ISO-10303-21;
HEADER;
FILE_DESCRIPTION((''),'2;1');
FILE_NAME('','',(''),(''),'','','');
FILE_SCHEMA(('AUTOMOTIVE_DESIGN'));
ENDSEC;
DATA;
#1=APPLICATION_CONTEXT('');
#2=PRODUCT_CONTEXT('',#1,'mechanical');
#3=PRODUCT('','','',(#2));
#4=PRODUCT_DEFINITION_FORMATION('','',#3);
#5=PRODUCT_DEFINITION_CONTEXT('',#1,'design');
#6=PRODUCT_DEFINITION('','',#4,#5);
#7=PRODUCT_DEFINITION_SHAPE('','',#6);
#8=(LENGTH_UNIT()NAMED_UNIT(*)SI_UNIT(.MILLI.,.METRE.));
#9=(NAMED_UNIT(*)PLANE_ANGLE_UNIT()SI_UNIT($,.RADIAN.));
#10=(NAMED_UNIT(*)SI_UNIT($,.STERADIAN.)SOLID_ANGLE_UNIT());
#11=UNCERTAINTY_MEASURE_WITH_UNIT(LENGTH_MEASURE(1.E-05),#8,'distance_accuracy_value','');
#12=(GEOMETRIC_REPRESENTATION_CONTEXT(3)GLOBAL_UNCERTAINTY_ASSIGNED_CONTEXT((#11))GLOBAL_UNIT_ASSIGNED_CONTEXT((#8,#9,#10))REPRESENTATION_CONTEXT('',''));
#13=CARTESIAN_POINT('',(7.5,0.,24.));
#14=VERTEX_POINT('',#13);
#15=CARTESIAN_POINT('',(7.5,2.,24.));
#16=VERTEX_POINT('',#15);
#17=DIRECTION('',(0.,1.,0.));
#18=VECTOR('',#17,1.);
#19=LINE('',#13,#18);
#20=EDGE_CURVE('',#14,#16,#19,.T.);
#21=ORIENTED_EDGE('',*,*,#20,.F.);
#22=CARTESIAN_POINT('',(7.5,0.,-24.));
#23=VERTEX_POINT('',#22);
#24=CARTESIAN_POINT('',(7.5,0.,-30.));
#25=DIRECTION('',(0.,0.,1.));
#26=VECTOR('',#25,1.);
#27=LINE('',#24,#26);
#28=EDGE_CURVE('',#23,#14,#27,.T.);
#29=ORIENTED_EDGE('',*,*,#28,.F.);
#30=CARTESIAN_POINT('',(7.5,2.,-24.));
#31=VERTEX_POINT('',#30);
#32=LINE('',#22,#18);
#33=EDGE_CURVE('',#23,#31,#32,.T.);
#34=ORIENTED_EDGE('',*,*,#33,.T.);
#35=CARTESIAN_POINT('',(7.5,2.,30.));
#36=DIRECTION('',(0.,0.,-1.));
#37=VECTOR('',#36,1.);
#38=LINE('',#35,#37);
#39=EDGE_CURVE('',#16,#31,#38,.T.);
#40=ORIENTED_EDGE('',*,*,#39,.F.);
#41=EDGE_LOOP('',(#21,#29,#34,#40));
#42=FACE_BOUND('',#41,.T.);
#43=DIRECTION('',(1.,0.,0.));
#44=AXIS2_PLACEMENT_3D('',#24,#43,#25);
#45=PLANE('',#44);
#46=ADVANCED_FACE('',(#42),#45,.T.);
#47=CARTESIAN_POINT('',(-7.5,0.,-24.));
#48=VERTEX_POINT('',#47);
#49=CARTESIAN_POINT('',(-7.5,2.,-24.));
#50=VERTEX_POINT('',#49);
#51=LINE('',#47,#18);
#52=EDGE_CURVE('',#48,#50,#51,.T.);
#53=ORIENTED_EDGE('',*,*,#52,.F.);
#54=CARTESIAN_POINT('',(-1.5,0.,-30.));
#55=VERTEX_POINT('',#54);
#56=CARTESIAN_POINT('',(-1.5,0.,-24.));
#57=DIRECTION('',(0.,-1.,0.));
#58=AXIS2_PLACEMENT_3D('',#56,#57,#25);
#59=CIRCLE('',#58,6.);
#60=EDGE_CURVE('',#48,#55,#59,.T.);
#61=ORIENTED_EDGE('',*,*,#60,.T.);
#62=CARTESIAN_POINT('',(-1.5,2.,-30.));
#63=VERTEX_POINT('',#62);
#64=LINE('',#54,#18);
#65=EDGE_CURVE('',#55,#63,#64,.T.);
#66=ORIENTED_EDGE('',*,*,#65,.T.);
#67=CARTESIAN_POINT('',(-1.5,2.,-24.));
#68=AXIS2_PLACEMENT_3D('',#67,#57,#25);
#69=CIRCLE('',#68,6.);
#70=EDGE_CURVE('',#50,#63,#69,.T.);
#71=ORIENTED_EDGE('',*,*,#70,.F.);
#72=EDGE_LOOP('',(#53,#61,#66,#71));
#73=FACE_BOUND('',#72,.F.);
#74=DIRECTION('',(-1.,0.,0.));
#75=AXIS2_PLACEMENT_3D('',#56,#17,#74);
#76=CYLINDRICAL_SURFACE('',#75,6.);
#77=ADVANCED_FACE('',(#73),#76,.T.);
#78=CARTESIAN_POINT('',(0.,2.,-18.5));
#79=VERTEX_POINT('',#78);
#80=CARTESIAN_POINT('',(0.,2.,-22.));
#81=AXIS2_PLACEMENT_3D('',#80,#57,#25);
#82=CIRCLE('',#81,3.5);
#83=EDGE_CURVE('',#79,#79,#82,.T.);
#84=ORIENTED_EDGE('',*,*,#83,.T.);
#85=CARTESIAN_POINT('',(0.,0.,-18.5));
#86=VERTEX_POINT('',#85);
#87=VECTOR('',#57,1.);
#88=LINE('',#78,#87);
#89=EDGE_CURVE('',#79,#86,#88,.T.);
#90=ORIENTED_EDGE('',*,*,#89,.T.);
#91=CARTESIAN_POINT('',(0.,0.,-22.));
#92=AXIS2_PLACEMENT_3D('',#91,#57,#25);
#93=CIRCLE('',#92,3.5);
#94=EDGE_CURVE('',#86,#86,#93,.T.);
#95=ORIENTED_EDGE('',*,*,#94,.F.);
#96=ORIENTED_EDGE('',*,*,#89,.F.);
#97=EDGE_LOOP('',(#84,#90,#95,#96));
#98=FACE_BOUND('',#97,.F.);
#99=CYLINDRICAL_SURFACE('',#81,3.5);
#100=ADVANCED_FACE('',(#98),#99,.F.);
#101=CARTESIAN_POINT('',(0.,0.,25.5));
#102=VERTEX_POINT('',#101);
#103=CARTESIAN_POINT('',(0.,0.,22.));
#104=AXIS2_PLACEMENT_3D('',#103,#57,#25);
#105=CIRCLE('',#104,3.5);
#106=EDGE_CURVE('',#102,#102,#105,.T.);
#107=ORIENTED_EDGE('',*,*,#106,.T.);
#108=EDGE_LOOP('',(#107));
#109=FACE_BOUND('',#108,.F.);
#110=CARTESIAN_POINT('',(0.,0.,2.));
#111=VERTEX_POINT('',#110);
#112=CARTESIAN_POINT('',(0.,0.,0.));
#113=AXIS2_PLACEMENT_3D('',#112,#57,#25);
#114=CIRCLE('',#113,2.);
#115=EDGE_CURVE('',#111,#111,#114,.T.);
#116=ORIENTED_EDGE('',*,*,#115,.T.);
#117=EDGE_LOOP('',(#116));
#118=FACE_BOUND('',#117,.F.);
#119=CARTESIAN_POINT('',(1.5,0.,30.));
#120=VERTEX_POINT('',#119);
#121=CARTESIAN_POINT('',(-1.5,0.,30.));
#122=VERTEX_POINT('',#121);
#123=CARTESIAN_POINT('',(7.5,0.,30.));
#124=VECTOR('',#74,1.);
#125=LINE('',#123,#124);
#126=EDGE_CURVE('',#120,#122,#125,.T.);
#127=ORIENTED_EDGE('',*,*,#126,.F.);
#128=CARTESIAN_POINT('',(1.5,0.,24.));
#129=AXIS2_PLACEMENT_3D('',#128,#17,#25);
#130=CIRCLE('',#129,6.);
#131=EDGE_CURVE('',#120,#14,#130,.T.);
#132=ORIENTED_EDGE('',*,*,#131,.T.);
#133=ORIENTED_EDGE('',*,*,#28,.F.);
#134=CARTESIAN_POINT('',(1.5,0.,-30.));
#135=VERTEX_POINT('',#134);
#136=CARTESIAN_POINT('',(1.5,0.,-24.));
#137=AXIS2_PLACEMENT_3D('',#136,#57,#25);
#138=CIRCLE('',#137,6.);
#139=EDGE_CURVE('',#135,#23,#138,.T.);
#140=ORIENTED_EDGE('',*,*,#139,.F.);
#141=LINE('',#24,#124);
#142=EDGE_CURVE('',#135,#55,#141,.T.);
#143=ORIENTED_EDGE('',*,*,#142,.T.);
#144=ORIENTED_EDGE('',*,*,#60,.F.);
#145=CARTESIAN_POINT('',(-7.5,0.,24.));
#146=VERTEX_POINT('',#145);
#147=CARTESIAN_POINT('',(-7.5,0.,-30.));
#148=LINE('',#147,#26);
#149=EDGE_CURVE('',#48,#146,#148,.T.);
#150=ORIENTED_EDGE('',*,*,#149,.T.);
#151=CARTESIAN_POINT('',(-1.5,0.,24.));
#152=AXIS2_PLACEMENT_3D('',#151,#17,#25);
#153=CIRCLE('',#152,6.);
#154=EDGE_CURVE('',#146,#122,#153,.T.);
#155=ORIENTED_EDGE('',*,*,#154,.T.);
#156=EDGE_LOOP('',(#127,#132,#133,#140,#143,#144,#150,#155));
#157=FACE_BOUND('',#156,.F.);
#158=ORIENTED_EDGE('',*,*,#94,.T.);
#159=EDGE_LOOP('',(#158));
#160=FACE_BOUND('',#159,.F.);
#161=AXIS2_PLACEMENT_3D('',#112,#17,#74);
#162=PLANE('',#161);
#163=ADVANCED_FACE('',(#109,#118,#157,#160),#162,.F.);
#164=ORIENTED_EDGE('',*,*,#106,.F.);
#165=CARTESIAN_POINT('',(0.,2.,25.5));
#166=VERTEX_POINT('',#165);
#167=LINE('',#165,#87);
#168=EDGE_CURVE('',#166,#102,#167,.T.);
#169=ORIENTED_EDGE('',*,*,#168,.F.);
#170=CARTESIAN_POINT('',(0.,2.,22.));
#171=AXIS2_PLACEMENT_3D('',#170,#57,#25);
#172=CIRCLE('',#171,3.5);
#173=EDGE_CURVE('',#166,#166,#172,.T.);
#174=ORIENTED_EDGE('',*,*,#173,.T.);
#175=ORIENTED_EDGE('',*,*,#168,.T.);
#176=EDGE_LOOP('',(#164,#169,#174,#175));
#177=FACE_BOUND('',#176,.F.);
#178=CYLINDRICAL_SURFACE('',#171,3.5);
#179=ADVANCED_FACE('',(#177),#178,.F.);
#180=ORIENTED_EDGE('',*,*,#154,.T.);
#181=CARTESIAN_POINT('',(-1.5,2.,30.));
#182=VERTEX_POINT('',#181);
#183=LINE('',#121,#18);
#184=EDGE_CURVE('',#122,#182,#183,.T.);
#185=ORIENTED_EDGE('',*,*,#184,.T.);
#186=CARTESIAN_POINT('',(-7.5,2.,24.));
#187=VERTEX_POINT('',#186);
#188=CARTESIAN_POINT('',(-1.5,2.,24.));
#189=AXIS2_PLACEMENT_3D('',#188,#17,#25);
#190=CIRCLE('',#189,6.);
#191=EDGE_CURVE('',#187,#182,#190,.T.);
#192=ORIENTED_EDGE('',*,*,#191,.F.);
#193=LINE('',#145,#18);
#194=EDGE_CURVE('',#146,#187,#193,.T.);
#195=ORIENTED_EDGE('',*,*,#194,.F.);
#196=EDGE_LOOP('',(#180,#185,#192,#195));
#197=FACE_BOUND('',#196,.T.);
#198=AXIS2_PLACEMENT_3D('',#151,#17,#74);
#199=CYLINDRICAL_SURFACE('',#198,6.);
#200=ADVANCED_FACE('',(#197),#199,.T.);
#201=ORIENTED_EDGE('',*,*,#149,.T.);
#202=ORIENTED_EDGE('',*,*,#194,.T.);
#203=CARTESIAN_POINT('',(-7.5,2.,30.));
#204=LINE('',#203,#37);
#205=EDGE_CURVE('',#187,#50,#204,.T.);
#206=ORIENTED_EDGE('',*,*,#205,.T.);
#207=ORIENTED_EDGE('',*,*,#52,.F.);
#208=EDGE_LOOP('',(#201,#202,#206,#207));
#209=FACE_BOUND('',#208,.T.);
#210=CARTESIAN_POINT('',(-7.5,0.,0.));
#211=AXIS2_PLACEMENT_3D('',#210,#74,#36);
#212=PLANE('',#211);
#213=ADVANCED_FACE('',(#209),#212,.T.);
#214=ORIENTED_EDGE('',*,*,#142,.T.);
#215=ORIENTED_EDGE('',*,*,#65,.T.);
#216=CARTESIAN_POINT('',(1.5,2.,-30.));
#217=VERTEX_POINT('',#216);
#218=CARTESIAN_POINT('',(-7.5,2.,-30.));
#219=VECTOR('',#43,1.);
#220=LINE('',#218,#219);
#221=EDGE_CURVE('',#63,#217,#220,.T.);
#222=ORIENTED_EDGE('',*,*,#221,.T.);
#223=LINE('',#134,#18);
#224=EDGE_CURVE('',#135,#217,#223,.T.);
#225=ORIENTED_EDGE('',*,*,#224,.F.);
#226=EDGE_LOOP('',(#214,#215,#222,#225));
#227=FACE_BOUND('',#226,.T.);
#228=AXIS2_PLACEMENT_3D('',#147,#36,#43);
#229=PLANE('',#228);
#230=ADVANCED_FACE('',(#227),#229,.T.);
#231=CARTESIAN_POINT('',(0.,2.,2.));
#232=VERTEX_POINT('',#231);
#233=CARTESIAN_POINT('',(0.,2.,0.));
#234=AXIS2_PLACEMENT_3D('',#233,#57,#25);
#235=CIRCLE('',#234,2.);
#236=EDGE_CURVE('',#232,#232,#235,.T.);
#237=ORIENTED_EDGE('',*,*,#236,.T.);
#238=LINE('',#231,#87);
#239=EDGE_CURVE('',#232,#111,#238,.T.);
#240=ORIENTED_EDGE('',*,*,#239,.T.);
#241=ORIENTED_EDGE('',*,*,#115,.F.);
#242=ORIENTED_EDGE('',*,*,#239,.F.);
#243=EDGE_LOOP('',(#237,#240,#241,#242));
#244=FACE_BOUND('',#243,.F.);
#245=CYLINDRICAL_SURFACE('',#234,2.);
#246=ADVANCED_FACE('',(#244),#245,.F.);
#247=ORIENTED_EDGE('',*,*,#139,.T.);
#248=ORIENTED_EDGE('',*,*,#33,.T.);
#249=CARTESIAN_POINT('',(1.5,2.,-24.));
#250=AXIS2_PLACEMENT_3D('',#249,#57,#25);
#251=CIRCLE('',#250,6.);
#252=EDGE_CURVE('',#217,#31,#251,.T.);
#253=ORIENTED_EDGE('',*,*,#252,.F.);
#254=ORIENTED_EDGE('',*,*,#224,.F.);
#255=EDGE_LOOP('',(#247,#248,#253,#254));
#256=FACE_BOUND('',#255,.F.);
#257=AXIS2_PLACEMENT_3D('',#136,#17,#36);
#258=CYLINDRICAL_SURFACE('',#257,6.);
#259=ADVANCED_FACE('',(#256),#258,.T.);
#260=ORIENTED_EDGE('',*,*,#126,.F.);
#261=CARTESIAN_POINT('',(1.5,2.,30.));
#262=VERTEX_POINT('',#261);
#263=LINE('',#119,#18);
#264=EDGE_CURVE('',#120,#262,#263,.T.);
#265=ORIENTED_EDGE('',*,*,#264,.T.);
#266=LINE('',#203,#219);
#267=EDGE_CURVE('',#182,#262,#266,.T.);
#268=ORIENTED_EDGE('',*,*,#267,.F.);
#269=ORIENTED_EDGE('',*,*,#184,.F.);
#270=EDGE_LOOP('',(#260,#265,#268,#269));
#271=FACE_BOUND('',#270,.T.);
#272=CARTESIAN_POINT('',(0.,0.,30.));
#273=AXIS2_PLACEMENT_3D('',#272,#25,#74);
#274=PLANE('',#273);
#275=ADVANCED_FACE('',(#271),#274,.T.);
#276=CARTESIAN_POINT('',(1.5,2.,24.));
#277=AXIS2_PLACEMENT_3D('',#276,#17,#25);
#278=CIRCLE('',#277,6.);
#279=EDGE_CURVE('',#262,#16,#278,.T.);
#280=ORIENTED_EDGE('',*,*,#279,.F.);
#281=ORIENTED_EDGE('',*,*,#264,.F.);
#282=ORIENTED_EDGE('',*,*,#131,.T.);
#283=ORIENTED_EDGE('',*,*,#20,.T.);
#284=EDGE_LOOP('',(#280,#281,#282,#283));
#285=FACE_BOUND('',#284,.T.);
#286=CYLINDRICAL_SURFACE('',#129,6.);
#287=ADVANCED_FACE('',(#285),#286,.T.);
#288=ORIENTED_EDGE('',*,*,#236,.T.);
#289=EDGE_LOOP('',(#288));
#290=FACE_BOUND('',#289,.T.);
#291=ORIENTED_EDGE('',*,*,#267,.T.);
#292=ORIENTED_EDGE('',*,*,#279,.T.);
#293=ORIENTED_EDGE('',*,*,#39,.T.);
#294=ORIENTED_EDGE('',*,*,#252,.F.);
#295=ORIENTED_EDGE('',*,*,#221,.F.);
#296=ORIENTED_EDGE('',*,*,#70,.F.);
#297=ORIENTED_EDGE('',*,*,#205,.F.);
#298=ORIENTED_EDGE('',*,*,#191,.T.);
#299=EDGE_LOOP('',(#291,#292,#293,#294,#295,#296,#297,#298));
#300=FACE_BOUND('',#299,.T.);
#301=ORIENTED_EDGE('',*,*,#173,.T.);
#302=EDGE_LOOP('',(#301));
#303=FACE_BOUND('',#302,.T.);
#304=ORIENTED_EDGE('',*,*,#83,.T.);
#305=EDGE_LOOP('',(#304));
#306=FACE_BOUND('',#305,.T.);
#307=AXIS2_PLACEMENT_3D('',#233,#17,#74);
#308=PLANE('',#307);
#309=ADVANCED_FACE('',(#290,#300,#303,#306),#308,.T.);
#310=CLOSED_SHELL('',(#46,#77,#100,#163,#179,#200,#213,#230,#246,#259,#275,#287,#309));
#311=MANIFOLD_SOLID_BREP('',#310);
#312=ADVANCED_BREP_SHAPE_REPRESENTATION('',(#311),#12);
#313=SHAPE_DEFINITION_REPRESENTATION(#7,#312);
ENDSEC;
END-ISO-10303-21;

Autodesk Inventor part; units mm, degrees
ref_plane "YZ Plane" through (0, 0, 0) normal (1, 0, 0) x (0, 1, 0)
ref_plane "XZ Plane" through (0, 0, 0) normal (0, 1, 0) x (-1, 0, 0)
ref_plane "XY Plane" through (0, 0, 0) normal (0, 0, 1) x (1, 0, 0)
sketch "Sketch1" plane through (0, 0, 0) normal (0, 1, 0) x (-1, 0, 0)
  line L0 (10.5, 0) -> (-10.5, 0) projected
  line L1 (0, -42) -> (0, 42) projected
  line L2 (7.5, -30) -> (-7.5, -30)
  line L3 (-7.5, -30) -> (-7.5, 30)
  line L4 (-7.5, 30) -> (7.5, 30)
  line L5 (7.5, 30) -> (7.5, -30)
  point P0 (0, 0)
  dimension "d0" = 15
  dimension "d1" = 60
extrude "Extrusion1" add sketch "Sketch1" along normal blind 2
fillet "Fillet1" radius 6 4 edges at (7.5, 1, -30) (-7.5, 1, -30) (-7.5, 1, 30) (7.5, 1, 30)
sketch "Sketch5" plane through (0, 2, 0) normal (0, 1, 0) x (1, 0, 0)
  arc A0 (1.5, -30) -> (7.5, -24) centre (1.5, -24) ccw projected
  line L0 (7.5, -24) -> (7.5, 24) projected
  arc A1 (7.5, 24) -> (1.5, 30) centre (1.5, 24) ccw projected
  line L1 (1.5, 30) -> (-1.5, 30) projected
  arc A2 (-1.5, 30) -> (-7.5, 24) centre (-1.5, 24) ccw projected
  line L2 (-7.5, 24) -> (-7.5, -24) projected
  arc A3 (-7.5, -24) -> (-1.5, -30) centre (-1.5, -24) ccw projected
  line L3 (-1.5, -30) -> (1.5, -30) projected
  point P0 (0, 0)
  point P1 (0, 0)
hole "Hole3" at (0, 2, 0) direction (0, -1, 0) diameter 4 end through all
sketch "Sketch6" plane through (0, 2, 0) normal (0, 1, 0) x (1, 0, 0)
  circle A0 centre (0, 0) radius 2 projected
  arc A1 (1.5, -30) -> (7.5, -24) centre (1.5, -24) ccw projected
  line L0 (7.5, -24) -> (7.5, 24) projected
  arc A2 (7.5, 24) -> (1.5, 30) centre (1.5, 24) ccw projected
  line L1 (1.5, 30) -> (-1.5, 30) projected
  arc A3 (-1.5, 30) -> (-7.5, 24) centre (-1.5, 24) ccw projected
  line L2 (-7.5, 24) -> (-7.5, -24) projected
  arc A4 (-7.5, -24) -> (-1.5, -30) centre (-1.5, -24) ccw projected
  line L3 (-1.5, -30) -> (1.5, -30) projected
  line L4 (0, 43.7397) -> (0, -43.7397) projected
  line L5 (-12.2397, 0) -> (12.2397, 0) projected
  point P0 (0, 22)
  point P1 (0, -22)
  dimension "d41" = 8
  dimension "d42" = 8
hole "Hole4" at (0, 2, -22) at (0, 2, 22) direction (0, -1, 0) diameter 7 end through all
properties part number "femur_v5"
